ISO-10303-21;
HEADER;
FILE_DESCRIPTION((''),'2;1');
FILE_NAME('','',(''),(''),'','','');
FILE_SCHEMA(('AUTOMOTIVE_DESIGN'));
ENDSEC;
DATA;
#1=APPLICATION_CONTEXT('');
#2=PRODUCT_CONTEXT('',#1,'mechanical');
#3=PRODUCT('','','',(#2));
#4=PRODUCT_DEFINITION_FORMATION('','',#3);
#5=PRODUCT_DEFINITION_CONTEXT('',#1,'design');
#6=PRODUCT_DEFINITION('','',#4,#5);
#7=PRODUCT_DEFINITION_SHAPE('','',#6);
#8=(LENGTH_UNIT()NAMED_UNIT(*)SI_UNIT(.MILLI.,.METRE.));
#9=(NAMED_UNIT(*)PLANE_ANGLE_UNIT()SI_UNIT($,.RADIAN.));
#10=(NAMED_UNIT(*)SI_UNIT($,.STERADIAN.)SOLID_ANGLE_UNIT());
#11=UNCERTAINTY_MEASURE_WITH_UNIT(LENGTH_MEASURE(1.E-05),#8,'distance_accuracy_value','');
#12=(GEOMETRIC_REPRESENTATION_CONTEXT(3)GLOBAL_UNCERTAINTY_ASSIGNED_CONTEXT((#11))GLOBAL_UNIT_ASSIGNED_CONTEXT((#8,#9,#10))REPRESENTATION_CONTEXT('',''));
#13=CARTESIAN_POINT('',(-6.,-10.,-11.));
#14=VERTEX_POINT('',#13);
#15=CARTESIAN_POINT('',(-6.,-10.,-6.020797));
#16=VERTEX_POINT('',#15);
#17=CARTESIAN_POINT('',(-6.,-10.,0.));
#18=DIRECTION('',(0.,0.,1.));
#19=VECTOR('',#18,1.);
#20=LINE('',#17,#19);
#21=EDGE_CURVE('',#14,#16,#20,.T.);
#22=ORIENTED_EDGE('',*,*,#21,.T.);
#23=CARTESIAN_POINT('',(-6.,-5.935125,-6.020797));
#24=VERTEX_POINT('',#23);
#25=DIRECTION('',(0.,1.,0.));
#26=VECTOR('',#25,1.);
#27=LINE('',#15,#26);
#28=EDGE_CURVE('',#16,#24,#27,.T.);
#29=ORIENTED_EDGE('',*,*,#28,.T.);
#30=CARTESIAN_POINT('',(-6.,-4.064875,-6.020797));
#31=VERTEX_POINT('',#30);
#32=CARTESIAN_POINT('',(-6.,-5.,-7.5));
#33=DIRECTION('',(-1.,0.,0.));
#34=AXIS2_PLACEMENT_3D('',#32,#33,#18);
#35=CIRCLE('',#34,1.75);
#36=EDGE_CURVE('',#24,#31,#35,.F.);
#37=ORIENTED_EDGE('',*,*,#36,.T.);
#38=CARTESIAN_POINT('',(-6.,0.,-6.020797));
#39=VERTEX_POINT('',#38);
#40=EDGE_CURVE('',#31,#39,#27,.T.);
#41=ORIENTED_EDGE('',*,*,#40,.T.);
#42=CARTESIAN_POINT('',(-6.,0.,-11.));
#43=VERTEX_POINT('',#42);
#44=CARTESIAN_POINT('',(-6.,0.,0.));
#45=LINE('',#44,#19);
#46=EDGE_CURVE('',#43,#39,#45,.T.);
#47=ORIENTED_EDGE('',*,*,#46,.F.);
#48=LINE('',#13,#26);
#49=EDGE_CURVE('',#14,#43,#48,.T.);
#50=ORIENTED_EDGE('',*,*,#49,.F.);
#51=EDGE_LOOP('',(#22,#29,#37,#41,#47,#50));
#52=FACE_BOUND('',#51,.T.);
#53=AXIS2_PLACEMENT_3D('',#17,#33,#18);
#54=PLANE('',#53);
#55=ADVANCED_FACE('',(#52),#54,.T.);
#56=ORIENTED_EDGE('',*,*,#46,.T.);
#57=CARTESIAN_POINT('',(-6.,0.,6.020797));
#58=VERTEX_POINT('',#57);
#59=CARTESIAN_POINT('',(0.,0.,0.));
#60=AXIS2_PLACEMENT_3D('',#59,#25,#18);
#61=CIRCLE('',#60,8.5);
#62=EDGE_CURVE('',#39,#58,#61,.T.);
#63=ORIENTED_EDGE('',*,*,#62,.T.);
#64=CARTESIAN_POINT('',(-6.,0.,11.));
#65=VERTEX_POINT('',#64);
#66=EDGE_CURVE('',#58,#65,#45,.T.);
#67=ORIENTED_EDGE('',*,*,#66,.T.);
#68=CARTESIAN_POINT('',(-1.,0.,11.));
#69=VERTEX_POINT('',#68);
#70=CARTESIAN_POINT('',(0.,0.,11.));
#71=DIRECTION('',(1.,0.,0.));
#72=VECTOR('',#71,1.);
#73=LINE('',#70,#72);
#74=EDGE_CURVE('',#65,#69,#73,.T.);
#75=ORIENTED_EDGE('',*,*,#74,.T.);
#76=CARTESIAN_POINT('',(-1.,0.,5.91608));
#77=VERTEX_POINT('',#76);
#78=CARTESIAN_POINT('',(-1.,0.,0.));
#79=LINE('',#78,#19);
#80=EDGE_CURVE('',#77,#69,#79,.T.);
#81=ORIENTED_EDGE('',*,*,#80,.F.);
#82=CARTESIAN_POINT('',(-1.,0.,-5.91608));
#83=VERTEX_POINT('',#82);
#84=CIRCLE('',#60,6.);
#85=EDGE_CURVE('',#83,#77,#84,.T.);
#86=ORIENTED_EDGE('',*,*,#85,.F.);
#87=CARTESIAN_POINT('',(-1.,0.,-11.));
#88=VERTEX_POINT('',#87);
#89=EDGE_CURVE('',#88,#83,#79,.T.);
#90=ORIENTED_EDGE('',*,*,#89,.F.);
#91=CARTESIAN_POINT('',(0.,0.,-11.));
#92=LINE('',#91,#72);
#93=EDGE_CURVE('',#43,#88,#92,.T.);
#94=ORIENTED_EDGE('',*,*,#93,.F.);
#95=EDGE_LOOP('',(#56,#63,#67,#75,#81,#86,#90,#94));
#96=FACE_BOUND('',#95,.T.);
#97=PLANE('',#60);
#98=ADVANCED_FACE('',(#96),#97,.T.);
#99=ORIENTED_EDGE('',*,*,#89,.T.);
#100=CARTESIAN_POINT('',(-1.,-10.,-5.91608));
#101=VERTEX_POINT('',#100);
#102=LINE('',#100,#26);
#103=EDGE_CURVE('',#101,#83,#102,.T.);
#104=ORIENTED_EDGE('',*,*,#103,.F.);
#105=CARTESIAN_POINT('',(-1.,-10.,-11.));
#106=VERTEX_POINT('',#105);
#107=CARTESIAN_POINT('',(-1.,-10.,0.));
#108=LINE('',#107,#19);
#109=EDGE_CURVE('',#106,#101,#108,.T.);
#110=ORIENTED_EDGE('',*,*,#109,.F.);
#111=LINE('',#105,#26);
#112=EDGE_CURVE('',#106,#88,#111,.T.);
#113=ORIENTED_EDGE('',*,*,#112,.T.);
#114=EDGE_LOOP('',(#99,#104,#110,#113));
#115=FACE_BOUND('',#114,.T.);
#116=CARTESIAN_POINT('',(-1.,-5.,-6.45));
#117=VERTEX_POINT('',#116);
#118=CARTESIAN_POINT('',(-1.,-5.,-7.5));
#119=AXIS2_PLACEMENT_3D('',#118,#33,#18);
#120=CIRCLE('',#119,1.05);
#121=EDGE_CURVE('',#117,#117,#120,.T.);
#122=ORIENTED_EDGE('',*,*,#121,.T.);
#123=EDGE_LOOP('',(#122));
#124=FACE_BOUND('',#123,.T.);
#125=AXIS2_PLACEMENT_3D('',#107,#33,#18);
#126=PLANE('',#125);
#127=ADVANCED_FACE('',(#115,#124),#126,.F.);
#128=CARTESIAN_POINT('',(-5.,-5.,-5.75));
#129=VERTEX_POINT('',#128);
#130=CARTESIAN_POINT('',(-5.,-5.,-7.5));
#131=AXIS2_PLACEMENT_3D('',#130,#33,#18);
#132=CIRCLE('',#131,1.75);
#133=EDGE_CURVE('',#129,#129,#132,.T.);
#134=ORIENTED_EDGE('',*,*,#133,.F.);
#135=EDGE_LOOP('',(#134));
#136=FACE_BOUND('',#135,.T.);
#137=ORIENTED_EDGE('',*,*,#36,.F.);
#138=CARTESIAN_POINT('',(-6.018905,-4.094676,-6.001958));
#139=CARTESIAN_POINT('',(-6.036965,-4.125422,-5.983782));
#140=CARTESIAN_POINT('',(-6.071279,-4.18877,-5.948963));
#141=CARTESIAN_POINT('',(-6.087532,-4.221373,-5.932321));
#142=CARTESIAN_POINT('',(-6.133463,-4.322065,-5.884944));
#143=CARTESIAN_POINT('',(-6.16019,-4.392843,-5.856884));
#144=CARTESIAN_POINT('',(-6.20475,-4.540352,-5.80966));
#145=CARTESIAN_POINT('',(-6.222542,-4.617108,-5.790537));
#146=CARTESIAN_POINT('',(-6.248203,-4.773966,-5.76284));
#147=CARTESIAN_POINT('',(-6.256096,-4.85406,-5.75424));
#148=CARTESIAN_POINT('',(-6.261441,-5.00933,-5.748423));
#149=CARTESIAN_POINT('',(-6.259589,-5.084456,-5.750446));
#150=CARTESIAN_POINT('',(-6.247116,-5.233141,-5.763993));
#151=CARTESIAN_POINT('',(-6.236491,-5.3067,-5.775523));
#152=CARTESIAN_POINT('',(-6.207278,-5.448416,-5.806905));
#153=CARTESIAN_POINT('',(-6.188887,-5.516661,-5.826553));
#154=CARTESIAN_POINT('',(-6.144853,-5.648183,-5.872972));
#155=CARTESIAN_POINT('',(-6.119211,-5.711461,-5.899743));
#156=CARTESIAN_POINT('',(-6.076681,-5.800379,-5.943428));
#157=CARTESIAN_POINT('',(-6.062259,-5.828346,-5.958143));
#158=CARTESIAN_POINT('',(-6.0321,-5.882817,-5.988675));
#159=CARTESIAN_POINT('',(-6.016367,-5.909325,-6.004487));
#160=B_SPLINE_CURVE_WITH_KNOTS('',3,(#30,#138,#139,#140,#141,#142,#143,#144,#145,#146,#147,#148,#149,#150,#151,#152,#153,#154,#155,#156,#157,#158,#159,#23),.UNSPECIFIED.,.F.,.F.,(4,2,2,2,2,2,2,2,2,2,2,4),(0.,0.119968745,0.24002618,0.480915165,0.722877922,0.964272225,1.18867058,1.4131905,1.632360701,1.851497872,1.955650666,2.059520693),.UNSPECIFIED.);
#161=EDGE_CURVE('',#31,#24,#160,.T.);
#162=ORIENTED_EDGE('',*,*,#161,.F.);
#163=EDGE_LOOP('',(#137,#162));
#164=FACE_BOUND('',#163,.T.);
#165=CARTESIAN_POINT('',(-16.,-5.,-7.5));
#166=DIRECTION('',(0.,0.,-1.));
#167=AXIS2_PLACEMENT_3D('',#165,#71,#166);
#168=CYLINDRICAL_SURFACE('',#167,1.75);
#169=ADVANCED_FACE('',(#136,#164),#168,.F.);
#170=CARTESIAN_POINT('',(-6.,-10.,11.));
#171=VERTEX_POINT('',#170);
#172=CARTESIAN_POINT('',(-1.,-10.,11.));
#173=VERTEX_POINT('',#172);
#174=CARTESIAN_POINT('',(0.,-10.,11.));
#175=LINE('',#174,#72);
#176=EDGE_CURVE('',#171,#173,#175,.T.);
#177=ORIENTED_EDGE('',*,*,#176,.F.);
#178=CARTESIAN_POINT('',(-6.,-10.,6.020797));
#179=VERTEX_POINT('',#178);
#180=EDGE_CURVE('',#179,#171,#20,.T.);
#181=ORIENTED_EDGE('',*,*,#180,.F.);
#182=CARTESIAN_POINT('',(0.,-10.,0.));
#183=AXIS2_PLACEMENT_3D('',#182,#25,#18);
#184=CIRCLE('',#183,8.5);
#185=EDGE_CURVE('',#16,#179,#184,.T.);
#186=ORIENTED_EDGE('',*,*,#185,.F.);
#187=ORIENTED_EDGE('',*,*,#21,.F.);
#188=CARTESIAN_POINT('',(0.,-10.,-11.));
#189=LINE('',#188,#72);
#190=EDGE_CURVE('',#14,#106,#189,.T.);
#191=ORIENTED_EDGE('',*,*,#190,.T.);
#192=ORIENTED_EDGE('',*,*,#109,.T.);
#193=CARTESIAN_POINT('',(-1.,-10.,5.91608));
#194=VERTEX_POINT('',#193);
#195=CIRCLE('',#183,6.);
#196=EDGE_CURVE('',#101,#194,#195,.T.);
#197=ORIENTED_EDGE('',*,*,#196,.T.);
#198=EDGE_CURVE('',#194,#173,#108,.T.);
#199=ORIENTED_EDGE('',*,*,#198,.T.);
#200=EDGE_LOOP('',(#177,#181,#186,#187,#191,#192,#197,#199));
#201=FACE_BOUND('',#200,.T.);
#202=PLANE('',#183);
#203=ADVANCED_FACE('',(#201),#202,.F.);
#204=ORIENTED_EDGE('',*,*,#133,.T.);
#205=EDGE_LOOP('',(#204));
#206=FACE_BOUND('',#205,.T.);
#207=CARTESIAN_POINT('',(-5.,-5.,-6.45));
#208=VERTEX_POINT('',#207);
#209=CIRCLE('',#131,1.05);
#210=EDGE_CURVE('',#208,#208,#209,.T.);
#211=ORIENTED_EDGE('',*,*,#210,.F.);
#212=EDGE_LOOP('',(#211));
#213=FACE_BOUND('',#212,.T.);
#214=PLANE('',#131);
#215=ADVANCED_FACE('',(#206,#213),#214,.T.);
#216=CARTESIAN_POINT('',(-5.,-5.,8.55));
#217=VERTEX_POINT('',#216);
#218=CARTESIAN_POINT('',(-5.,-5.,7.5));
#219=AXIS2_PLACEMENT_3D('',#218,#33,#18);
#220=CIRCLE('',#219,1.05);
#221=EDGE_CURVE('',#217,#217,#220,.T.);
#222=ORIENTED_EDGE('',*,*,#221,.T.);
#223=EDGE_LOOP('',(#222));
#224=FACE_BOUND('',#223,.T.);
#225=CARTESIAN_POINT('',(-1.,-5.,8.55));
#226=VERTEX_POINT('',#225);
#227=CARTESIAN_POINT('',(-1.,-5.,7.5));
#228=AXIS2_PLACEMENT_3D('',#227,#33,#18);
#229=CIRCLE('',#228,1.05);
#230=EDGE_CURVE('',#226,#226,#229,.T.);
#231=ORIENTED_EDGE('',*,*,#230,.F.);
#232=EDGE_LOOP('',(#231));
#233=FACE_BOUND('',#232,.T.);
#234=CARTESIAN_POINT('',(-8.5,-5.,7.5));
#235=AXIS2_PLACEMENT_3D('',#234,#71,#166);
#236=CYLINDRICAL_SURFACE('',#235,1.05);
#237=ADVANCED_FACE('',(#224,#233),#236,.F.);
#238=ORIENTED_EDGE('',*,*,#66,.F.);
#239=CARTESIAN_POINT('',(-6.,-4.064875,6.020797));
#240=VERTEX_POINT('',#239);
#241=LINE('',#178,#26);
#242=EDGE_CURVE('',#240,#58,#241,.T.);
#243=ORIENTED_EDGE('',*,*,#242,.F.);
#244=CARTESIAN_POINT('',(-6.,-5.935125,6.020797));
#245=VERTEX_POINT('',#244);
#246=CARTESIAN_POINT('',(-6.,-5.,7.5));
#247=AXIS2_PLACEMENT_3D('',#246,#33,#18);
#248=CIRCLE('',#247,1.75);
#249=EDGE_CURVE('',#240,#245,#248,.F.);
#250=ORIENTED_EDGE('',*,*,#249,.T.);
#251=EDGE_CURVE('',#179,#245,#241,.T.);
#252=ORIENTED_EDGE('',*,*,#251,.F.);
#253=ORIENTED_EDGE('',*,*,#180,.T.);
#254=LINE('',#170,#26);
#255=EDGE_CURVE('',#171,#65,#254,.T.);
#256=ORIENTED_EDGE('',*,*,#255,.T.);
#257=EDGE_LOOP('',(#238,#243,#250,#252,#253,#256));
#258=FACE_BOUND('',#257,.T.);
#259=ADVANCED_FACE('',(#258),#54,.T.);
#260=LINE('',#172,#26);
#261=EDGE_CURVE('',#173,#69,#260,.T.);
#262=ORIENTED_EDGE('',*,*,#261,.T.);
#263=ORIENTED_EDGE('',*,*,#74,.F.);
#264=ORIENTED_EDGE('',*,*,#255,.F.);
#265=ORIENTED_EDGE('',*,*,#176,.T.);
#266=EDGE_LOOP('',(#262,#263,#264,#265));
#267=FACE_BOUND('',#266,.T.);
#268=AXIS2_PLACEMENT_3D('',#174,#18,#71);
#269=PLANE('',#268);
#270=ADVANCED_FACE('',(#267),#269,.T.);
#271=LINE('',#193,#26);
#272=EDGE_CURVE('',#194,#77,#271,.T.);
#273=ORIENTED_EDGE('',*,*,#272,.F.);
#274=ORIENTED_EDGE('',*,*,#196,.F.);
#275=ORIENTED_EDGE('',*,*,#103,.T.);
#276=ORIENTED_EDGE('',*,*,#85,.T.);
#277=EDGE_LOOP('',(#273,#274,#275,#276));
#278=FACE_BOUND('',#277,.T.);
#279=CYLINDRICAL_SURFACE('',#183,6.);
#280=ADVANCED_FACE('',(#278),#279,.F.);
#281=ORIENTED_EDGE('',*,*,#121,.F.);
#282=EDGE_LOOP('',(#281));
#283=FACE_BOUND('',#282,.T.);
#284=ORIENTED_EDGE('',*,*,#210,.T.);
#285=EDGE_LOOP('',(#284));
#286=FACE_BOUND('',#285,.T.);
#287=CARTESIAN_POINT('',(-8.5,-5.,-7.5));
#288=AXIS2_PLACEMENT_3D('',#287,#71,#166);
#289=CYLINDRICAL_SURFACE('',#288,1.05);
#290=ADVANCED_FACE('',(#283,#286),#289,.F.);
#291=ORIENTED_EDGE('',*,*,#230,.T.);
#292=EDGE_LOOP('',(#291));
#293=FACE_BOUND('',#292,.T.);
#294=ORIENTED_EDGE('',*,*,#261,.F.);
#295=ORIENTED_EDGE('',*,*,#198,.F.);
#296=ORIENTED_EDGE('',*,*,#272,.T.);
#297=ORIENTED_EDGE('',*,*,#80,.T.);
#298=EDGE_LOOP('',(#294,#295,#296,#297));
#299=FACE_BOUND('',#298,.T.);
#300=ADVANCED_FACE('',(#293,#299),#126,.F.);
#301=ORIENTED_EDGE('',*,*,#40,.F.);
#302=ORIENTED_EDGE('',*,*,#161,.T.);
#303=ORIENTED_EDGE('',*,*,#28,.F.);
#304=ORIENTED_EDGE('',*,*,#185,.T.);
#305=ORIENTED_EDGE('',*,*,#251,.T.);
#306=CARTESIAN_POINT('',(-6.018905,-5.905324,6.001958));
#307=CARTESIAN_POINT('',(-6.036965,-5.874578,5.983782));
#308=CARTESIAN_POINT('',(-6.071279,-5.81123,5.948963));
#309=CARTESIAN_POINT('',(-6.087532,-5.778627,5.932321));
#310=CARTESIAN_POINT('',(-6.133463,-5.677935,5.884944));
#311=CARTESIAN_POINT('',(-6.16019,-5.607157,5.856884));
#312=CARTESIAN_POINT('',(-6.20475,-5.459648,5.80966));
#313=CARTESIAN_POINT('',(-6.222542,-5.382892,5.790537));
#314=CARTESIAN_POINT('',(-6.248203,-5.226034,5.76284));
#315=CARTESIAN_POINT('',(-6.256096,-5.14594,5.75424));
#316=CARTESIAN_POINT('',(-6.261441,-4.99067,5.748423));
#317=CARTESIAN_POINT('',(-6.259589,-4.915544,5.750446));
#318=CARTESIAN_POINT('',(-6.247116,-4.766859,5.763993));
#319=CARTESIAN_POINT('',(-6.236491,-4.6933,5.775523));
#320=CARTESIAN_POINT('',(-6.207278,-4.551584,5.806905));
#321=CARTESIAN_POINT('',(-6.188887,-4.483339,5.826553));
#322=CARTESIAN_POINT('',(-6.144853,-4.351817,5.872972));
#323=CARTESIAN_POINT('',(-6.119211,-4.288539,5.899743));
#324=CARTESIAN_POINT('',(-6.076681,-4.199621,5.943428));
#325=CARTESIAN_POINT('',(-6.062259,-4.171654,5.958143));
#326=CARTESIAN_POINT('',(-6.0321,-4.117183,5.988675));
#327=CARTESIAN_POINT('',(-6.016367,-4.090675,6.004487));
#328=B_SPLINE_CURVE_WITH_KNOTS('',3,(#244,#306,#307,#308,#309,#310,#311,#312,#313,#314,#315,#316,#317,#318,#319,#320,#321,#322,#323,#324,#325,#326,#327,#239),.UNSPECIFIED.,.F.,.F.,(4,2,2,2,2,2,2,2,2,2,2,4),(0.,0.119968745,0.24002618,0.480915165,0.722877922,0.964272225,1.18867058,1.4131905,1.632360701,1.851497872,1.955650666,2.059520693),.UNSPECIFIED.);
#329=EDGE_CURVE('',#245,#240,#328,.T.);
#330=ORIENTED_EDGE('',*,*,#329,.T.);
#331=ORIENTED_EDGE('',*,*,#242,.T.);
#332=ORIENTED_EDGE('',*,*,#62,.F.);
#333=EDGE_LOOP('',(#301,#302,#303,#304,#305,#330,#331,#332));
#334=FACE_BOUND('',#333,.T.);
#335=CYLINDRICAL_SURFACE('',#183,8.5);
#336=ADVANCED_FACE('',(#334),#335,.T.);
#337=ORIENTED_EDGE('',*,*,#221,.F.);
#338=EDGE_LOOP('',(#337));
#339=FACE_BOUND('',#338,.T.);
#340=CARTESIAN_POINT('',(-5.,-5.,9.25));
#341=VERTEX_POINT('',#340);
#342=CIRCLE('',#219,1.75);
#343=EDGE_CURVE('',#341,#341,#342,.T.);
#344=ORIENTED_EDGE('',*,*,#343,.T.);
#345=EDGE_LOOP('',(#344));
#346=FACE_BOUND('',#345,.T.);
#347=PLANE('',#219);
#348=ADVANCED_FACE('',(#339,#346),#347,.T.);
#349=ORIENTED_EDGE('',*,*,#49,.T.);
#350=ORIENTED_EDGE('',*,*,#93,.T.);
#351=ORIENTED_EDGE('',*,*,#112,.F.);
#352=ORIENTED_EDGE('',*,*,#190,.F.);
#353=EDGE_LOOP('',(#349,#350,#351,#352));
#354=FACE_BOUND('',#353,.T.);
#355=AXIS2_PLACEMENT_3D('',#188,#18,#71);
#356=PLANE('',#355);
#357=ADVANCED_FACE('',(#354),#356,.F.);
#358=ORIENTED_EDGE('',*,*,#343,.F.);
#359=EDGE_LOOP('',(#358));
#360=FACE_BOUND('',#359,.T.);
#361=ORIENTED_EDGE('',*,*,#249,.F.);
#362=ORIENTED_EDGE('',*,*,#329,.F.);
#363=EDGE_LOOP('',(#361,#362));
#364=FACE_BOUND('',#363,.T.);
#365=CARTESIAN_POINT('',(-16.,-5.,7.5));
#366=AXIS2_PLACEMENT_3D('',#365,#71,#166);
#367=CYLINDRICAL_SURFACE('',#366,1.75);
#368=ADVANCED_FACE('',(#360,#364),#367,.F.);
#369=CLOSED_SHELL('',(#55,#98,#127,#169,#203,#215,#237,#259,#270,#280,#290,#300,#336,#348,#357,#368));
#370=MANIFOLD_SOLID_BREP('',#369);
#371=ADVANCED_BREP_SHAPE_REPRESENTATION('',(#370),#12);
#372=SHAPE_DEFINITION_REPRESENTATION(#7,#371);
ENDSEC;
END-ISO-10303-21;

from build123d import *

# Parameters (mm, degrees)
BOSS_EXTRUDE1_DEPTH     = 10
CUT_EXTRUDE1_DEPTH      = 18.12454379
CUT_EXTRUDE1_DEPTH_BACK = 18.12454379
SKETCH2_R               = 1.05
CUT_EXTRUDE2_DEPTH      = 1
CUT_EXTRUDE2_DEPTH_BACK = 10
CUT_EXTRUDE2_START      = -6
SKETCH2_3_R             = 1.75
SKETCH2_3_R_2           = 1.05


with BuildPart() as part:
    # Sketch1 → Boss-Extrude1 (new body)
    with BuildSketch(Plane(origin=(0, 0, 0), x_dir=(1, 0, 0), z_dir=(0, 1, 0))):
        with BuildLine():
            Line((-6, -2.1e-08), (-6, 6.020797289))
            ThreePointArc((-6, 6.020797289), (-8.5, 0), (-6, -6.020797289))
            Line((-6, -6.020797289), (-6, -2.1e-08))
        make_face()
        with BuildLine():
            ThreePointArc((-1, 8.440971508), (-3.703283788, 7.65086199), (-6, 6.020797289))
            Line((-6, 6.020797289), (-6, -2.1e-08))
            ThreePointArc((-6, -2.1e-08), (-4.582575702, 3.872983338), (-1, 5.916079783))
            Line((-1, 5.916079783), (-1, 8.440971508))
        make_face()
        with BuildLine():
            ThreePointArc((-1, -5.916079783), (-4.582575688, -3.872983354), (-6, -2.1e-08))
            Line((-6, -2.1e-08), (-6, -6.020797289))
            ThreePointArc((-6, -6.020797289), (-3.703283788, -7.65086199), (-1, -8.440971508))
            Line((-1, -8.440971508), (-1, -5.916079783))
        make_face()
        with BuildLine():
            ThreePointArc((-1, -8.440971508), (-3.703283788, -7.65086199), (-6, -6.020797289))
            Line((-6, -6.020797289), (-6, -11))
            Line((-6, -11), (-1, -11))
            Line((-1, -11), (-1, -8.440971508))
        make_face()
        with BuildLine():
            Line((-1, 11), (-6, 11))
            Line((-6, 11), (-6, 6.020797289))
            ThreePointArc((-6, 6.020797289), (-3.703283788, 7.65086199), (-1, 8.440971508))
            Line((-1, 8.440971508), (-1, 11))
        make_face()
    extrude(amount=-BOSS_EXTRUDE1_DEPTH)

    # Sketch2 → Cut-Extrude1 (cut, two sides: drawn at the far end of the back side and taken through both)
    with BuildSketch(Plane(origin=(0, 0, 0), x_dir=(0, 0, -1), z_dir=(1, 0, 0)).offset(-CUT_EXTRUDE1_DEPTH_BACK)):
        with Locations(Location((-7.5, -5, 0), (0, 0, 180))):
            Circle(SKETCH2_R)
        with Locations(Location((7.5, -5, 0), (0, 0, 180))):
            Circle(SKETCH2_R)
    extrude(amount=CUT_EXTRUDE1_DEPTH + CUT_EXTRUDE1_DEPTH_BACK, mode=Mode.SUBTRACT)

    # Sketch2<3> → Cut-Extrude2 (cut, two sides: drawn at the far end of the back side and taken through both)
    # profile 1 of 2: a face of its own
    with BuildSketch(Plane(origin=(0, 0, 0), x_dir=(0, 0, -1), z_dir=(1, 0, 0)).offset(CUT_EXTRUDE2_START - CUT_EXTRUDE2_DEPTH_BACK)):
        with Locations(Location((-7.5, -5, 0), (0, 0, 327.699663161))):
            Circle(SKETCH2_3_R)
        with Locations(Location((-7.5, -5, 0), (0, 0, 180))):
            Circle(SKETCH2_3_R_2, mode=Mode.SUBTRACT)
    # profile 2 of 2: a face of its own
    with BuildSketch(Plane(origin=(0, 0, 0), x_dir=(0, 0, -1), z_dir=(1, 0, 0)).offset(CUT_EXTRUDE2_START - CUT_EXTRUDE2_DEPTH_BACK)):
        with Locations(Location((7.5, -5, 0), (0, 0, 212.300336839))):
            Circle(SKETCH2_3_R)
        with Locations(Location((7.5, -5, 0), (0, 0, 180))):
            Circle(SKETCH2_3_R_2, mode=Mode.SUBTRACT)
    extrude(amount=CUT_EXTRUDE2_DEPTH + CUT_EXTRUDE2_DEPTH_BACK, mode=Mode.SUBTRACT)


solid = part.part
